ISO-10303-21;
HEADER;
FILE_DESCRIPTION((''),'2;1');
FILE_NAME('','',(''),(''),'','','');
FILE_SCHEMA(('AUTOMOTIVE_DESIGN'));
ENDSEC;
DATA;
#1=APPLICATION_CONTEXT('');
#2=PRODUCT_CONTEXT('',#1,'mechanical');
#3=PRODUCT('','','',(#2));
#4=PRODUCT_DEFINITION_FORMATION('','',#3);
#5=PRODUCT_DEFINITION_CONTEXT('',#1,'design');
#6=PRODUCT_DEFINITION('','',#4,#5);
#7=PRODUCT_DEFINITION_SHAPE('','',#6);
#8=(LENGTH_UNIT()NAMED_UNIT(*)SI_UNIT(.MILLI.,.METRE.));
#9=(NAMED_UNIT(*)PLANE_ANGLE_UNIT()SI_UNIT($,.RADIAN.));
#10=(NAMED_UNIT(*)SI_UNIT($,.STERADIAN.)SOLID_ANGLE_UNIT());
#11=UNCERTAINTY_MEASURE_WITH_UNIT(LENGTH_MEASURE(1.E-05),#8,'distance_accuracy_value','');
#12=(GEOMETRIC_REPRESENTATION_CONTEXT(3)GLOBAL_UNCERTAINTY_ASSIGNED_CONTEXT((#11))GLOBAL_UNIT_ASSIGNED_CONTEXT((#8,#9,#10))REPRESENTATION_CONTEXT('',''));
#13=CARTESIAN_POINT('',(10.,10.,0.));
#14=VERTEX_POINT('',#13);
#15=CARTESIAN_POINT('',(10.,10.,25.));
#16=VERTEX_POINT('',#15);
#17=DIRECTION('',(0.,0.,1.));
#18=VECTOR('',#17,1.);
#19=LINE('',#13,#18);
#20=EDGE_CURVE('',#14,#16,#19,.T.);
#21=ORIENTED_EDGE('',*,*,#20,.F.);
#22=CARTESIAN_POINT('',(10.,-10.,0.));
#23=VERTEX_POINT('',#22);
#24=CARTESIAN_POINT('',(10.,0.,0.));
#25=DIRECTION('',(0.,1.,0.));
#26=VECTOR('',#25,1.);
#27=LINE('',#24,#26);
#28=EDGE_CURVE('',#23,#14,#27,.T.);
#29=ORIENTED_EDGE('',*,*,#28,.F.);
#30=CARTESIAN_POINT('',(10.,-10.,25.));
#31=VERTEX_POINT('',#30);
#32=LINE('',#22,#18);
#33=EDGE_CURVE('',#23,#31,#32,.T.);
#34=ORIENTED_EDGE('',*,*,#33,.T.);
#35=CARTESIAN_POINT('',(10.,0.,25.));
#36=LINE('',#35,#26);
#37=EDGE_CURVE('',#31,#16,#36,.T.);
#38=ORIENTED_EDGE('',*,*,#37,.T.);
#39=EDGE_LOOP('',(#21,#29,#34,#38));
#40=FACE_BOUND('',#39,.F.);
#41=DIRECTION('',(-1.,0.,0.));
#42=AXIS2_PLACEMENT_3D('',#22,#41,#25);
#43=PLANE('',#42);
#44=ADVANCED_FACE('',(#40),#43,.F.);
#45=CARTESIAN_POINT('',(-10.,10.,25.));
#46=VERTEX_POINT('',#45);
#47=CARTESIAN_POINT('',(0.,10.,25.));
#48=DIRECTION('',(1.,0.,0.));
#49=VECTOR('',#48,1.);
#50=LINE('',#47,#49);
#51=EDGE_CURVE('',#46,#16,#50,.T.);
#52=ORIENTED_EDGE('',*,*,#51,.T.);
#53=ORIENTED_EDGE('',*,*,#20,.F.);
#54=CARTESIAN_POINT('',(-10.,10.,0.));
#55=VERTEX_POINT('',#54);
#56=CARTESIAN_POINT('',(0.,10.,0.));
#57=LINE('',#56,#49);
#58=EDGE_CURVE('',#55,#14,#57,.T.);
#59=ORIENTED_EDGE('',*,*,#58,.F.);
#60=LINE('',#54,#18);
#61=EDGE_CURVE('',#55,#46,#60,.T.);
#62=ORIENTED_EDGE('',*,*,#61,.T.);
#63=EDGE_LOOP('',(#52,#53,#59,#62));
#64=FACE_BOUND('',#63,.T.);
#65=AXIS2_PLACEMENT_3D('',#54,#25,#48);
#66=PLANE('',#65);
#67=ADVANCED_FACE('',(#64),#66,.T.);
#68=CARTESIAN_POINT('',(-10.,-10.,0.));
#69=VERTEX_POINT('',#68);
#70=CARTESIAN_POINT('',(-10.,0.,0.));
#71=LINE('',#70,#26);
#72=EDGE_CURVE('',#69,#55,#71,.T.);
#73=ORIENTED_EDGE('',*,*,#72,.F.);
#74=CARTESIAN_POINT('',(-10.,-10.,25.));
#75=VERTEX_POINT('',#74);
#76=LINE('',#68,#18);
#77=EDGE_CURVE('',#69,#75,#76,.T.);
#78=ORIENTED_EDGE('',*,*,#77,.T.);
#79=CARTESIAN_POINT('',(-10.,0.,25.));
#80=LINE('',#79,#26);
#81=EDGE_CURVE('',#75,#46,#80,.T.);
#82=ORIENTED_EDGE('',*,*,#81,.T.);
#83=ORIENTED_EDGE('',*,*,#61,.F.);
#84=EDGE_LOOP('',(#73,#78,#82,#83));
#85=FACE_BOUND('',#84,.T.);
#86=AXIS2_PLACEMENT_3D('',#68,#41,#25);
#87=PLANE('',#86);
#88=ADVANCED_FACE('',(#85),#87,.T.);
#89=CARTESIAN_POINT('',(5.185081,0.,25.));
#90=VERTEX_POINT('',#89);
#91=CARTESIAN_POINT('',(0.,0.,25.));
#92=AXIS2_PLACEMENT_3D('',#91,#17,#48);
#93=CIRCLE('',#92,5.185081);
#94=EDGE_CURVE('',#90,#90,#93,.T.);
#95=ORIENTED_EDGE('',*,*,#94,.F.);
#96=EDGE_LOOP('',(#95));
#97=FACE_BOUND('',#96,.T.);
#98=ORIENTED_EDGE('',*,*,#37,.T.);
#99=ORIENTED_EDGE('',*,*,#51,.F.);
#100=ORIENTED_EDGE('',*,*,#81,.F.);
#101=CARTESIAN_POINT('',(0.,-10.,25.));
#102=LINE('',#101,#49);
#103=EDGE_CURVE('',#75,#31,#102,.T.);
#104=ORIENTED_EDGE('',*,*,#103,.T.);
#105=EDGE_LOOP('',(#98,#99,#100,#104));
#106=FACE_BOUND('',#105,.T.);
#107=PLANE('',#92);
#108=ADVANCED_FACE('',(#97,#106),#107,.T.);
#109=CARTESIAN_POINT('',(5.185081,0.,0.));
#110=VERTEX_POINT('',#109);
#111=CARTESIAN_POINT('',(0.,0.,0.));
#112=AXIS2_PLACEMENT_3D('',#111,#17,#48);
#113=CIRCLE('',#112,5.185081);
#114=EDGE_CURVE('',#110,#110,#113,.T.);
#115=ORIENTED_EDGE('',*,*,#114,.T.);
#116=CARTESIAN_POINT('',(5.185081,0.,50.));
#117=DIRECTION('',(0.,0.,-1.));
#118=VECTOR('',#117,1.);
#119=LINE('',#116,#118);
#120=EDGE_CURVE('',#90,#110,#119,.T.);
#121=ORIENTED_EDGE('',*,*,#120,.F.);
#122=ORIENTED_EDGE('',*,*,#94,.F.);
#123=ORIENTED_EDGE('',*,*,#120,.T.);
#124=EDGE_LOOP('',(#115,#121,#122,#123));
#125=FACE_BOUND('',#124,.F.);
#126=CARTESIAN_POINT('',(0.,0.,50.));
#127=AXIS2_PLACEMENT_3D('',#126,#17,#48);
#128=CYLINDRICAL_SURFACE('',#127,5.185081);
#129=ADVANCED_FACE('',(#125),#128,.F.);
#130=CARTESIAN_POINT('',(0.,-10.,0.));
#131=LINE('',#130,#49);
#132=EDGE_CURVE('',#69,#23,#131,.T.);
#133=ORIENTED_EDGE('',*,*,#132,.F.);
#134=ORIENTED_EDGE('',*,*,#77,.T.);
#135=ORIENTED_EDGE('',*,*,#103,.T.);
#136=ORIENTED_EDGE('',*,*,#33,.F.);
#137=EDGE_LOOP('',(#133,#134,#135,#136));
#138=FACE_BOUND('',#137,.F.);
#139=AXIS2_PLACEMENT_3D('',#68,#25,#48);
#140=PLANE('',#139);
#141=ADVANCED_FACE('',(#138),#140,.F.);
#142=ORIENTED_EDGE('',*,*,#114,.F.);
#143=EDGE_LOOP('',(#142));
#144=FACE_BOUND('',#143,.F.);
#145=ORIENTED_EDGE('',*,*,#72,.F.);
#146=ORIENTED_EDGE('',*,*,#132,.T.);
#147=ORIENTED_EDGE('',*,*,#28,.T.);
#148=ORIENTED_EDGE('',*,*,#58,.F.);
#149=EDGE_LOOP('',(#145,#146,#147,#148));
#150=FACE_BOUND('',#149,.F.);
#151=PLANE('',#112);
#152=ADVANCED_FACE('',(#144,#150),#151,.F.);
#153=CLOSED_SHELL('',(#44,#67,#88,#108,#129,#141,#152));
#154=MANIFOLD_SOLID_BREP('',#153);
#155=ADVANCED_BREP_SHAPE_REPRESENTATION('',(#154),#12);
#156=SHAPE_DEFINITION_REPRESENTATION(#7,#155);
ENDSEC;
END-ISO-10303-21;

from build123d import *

# Parameters (mm, degrees)
F0_W     = 20
F0_H     = 20
F1_DEPTH = 25
F4_R     = 5.185081
F5_DEPTH = 100


with BuildPart() as f1:
    # F0 (on Top) → F1 (new body)
    with BuildSketch(Plane.XY):
        Rectangle(F0_W, F0_H)
    extrude(amount=F1_DEPTH)

    # F4 (on offset) → F5 (cut)
    with BuildSketch(Plane.XY.offset(50)):
        Circle(F4_R)
    extrude(amount=-F5_DEPTH, mode=Mode.SUBTRACT)


solid = f1.part
